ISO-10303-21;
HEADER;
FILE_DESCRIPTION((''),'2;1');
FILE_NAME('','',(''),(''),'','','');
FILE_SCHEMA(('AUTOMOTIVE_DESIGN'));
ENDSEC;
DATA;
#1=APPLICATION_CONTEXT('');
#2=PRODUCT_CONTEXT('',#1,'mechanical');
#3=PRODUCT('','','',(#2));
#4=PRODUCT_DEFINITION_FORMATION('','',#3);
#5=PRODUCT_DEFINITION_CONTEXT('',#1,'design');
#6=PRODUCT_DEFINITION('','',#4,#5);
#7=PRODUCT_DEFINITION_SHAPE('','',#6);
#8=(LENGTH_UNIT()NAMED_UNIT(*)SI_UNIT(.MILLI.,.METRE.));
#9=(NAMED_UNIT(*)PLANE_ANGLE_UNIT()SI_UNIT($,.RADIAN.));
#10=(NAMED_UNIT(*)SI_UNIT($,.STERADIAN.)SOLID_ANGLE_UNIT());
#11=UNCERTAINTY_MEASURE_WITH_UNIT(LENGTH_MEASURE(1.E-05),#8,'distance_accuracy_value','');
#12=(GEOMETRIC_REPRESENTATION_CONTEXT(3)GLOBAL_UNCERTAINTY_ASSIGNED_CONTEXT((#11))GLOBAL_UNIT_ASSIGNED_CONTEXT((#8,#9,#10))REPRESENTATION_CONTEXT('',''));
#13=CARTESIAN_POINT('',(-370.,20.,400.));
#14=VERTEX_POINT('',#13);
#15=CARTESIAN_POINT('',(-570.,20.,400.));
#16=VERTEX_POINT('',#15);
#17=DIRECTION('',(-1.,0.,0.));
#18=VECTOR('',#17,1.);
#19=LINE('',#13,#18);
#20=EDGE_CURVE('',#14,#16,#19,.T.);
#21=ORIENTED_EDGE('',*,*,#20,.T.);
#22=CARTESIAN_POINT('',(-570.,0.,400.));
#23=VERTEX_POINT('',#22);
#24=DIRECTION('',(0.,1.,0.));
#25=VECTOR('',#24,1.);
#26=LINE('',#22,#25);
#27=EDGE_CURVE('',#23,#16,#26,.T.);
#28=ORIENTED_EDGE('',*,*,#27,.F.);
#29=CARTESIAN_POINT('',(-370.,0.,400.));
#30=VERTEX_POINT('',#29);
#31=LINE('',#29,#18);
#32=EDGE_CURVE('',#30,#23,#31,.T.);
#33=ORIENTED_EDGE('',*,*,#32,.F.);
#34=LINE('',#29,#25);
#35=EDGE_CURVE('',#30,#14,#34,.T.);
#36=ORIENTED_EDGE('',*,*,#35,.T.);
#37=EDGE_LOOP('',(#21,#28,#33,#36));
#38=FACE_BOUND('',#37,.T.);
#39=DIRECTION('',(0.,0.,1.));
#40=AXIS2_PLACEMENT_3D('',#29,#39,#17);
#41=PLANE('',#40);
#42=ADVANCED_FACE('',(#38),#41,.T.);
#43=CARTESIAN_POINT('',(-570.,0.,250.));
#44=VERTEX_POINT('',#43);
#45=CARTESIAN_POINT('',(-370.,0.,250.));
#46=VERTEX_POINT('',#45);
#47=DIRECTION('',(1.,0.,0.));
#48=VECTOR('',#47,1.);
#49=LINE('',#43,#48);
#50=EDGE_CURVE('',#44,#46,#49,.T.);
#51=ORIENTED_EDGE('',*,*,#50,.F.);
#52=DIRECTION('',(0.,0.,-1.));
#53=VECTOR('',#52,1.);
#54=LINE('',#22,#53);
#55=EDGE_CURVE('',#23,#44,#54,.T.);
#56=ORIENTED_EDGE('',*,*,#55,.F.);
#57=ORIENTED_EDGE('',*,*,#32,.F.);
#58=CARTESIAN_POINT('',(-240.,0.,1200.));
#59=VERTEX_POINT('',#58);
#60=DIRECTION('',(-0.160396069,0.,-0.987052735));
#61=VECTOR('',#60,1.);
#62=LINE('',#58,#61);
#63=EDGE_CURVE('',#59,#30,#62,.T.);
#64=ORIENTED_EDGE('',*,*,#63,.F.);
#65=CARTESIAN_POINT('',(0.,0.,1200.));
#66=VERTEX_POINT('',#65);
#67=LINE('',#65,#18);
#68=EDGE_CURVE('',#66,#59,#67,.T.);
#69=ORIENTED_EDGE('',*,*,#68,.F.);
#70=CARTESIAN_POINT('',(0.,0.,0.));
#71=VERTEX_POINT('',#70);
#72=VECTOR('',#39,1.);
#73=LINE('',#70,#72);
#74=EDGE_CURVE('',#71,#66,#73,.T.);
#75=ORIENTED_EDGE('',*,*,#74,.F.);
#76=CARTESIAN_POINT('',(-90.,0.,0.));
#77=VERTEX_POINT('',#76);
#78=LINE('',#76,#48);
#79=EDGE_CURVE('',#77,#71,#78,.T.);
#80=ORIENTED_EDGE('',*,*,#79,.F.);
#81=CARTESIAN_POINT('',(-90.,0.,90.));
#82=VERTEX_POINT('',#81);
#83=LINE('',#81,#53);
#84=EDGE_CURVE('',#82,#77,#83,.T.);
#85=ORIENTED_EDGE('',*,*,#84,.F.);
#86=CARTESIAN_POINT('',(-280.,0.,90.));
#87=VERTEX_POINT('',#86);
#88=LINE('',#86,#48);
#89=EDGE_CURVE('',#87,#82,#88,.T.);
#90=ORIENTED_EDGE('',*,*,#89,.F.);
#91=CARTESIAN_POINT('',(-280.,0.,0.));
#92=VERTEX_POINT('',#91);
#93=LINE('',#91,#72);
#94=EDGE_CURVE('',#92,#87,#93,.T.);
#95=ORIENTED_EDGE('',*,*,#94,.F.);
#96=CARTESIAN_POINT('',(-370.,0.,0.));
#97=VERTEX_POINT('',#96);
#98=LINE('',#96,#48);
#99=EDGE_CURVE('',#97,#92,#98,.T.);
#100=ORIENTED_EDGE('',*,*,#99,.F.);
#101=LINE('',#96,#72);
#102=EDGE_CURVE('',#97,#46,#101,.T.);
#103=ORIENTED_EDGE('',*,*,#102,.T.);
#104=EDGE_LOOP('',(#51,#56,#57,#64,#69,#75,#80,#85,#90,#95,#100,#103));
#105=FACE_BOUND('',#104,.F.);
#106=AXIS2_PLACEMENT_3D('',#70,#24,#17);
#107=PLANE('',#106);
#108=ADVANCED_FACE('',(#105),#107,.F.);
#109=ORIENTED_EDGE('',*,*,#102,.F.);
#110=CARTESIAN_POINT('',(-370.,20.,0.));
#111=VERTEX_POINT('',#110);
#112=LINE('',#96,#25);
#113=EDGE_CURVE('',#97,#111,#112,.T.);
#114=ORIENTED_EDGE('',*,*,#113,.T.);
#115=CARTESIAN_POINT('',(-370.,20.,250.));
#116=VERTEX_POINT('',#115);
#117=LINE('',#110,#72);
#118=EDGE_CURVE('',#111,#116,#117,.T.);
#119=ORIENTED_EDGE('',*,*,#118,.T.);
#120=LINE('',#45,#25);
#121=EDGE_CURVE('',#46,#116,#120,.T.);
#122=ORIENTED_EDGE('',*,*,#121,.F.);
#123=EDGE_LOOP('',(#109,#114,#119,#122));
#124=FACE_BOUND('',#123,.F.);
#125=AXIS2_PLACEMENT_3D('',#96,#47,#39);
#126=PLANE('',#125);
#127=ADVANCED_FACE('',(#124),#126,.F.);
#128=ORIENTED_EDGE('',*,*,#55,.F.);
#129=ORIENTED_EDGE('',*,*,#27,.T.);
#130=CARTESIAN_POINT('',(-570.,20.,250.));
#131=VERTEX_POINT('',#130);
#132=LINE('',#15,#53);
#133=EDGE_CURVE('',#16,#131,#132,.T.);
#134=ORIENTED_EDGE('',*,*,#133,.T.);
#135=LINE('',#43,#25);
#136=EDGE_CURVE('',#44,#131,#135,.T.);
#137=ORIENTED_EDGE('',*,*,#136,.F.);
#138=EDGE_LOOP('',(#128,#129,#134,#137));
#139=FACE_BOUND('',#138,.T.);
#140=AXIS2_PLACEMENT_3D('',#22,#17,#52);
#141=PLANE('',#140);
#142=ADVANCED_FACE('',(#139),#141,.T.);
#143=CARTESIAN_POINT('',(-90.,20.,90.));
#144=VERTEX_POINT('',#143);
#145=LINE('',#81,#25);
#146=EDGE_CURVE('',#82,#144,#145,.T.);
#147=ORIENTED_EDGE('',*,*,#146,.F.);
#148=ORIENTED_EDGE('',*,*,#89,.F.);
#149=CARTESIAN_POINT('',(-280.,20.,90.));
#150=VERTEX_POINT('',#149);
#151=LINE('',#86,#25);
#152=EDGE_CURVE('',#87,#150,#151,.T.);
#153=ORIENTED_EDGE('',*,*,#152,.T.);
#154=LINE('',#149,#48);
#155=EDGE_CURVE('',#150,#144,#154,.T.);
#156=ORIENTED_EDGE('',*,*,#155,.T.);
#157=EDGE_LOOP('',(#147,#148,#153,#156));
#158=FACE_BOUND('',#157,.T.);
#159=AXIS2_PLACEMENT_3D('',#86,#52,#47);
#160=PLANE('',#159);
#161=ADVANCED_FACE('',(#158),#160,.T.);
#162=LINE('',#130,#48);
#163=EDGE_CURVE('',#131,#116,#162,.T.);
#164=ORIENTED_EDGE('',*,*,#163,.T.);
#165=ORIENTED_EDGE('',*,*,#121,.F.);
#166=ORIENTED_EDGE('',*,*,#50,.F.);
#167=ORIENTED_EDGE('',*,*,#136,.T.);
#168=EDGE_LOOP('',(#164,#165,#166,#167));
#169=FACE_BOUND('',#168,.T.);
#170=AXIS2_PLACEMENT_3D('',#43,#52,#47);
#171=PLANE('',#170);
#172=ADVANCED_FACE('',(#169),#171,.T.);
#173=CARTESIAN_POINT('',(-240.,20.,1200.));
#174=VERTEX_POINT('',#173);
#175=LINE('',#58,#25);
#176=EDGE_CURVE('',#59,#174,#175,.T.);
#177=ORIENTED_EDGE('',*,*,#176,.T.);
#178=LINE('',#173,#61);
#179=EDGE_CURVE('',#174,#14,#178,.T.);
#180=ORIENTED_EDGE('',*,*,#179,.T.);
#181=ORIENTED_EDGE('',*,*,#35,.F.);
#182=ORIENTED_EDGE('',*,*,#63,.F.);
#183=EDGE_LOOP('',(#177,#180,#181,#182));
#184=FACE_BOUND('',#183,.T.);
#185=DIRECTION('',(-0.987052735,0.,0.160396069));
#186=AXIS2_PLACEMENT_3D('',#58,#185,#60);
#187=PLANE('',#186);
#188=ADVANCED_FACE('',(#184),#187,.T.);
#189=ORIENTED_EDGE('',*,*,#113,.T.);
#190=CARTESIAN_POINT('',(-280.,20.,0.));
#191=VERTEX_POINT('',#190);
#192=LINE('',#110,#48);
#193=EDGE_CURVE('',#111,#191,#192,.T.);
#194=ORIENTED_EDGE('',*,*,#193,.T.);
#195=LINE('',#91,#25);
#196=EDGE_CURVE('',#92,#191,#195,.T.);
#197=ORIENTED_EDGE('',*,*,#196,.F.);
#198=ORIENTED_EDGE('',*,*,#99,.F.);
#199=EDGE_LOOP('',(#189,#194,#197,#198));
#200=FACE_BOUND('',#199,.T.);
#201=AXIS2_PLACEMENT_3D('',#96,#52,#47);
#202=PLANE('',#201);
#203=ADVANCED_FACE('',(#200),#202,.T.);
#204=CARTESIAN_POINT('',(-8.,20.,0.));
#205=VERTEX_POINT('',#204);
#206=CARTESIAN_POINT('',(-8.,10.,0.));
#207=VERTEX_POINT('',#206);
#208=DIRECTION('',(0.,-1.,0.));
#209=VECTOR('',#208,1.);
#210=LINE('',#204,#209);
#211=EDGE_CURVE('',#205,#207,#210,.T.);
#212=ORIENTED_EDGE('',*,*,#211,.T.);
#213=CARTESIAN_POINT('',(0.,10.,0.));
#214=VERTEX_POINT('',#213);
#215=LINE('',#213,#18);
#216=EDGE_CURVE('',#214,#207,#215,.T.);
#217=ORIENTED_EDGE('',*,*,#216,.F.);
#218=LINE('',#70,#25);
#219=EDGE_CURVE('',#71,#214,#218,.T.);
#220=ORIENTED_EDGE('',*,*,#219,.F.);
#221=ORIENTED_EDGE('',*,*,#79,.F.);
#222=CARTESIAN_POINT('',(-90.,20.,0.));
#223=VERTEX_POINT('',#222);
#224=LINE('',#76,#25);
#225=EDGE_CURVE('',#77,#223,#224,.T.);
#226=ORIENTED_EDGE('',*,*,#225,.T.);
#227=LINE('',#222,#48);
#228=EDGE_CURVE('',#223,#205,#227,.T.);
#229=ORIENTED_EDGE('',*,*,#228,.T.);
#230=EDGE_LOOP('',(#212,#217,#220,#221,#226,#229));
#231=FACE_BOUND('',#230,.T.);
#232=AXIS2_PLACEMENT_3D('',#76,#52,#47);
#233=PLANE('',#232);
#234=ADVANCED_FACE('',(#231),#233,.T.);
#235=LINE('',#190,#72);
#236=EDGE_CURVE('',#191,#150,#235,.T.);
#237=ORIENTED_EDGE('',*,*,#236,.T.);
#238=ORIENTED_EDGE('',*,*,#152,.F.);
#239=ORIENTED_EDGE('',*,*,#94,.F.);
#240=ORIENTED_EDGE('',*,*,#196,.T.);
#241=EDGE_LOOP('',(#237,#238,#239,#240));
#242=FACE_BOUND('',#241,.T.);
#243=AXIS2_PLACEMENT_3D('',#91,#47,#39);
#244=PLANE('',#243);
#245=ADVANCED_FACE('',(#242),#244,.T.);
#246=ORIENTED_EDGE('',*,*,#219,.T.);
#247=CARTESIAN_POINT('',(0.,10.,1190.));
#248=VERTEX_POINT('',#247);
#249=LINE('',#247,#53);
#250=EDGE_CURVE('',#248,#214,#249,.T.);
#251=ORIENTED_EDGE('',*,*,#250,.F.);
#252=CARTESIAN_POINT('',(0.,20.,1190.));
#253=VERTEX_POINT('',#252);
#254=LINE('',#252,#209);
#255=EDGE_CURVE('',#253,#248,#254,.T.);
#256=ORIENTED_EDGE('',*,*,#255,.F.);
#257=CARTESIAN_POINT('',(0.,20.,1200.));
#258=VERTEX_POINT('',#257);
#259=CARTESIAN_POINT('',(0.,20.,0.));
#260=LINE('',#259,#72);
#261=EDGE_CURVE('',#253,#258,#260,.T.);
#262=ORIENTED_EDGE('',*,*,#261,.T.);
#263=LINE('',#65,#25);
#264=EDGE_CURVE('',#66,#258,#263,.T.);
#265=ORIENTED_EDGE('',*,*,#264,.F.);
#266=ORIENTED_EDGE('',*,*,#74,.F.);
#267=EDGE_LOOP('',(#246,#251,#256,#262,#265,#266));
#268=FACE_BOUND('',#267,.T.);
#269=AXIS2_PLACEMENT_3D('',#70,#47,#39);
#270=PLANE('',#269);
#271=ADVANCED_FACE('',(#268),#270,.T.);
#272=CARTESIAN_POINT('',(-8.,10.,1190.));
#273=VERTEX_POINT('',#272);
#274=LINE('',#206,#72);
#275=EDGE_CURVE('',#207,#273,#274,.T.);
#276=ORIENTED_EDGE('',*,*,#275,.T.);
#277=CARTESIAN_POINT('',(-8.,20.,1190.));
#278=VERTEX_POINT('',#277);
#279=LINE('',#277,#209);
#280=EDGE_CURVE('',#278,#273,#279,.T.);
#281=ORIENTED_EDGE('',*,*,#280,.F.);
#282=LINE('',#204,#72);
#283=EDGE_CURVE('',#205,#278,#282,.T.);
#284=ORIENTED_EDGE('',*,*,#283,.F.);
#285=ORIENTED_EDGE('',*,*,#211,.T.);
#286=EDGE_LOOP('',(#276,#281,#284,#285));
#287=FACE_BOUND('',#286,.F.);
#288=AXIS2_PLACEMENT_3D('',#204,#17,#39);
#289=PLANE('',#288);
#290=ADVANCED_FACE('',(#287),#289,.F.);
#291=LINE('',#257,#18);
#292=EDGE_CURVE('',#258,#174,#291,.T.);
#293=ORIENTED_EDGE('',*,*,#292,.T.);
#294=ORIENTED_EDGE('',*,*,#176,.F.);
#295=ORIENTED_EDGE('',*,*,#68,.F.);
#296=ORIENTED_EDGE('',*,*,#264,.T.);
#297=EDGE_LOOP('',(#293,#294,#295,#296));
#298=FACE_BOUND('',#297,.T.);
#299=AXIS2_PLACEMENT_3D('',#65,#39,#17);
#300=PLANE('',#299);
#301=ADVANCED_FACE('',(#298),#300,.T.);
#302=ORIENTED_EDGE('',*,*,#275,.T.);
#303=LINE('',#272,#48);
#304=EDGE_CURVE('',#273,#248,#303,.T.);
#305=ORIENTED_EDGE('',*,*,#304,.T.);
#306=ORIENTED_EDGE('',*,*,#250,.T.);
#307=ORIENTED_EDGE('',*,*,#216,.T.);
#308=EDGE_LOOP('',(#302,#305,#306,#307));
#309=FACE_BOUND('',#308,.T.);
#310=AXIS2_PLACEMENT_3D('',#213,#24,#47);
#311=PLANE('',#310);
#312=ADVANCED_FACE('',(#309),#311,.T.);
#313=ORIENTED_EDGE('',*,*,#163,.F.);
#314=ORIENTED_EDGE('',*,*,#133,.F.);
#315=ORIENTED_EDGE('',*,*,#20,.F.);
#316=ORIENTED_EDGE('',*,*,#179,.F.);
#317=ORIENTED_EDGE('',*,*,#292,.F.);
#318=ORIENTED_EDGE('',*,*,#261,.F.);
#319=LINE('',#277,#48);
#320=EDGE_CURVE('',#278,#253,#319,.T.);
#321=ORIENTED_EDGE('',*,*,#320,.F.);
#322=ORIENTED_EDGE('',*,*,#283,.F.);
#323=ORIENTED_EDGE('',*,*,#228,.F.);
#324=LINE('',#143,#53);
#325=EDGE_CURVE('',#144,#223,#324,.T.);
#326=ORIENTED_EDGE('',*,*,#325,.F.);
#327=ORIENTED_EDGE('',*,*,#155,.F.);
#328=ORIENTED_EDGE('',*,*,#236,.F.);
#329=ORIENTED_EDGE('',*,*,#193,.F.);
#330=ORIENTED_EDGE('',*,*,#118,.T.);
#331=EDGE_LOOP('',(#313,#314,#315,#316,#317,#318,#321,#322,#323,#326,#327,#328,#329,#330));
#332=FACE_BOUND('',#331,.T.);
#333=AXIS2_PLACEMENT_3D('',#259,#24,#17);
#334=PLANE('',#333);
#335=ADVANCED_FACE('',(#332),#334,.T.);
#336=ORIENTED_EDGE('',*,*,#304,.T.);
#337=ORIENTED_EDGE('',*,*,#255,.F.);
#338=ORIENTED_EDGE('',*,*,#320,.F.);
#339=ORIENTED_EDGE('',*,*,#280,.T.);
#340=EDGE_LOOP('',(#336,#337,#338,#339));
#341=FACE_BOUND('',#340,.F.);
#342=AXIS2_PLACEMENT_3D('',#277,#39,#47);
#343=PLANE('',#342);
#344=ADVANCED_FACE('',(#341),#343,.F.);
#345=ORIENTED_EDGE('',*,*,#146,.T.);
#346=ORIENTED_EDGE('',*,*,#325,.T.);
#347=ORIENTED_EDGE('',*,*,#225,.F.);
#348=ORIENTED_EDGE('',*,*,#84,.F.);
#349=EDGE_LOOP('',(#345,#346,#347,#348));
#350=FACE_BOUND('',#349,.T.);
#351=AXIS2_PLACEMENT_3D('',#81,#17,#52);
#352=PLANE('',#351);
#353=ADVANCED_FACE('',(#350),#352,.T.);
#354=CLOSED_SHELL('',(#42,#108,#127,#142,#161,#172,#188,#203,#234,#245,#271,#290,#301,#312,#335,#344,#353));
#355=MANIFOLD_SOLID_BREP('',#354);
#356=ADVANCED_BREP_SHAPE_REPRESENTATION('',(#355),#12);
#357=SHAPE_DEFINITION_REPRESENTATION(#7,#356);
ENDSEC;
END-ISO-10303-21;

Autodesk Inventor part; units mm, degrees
ref_plane "YZ Plane" through (0, 0, 0) normal (1, 0, 0) x (0, 1, 0)
ref_plane "XZ Plane" through (0, 0, 0) normal (0, 1, 0) x (-1, 0, 0)
ref_plane "XY Plane" through (0, 0, 0) normal (0, 0, 1) x (1, 0, 0)
sketch "Sketch1" plane through (0, 0, 0) normal (0, 1, 0) x (-1, 0, 0)
  line L0 (0, 0) -> (0, 1200)
  line L1 (0, 1200) -> (240, 1200)
  line L2 (370, 400) -> (570, 400)
  line L3 (240, 1200) -> (370, 400)
  line L4 (570, 400) -> (570, 250)
  line L5 (570, 250) -> (370, 250)
  line L6 (370, 0) -> (370, 250)
  line L7 (370, 0) -> (280, 0)
  line L8 (280, 0) -> (280, 90)
  line L9 (280, 90) -> (90, 90)
  line L10 (90, 90) -> (90, 0)
  line L11 (90, 0) -> (0, 0)
  dimension "d2" = 1200
  dimension "d4" = 200
  dimension "d8" = 370
  dimension "d9" = 150
  dimension "d10" = 250
  dimension "d11" = 90
  dimension "d12" = 90
  dimension "d13" = 190
  dimension "d14" = 240
extrude "Extrusion1" add sketch "Sketch1" along normal blind 20
sketch "Sketch2" plane through (0, 0, 0) normal (0, -1, 0) x (1, 0, 0)
  line L0 (0, 0) -> (0, 1200) projected
  line L1 (0, 1200) -> (-240, 1200) projected
  line L2 (-240, 1200) -> (-240, 400) projected
  line L3 (-370, 400) -> (-570, 400) projected
  line L4 (-570, 400) -> (-570, 0) projected
  line L5 (-570, 0) -> (0, 0) projected
sketch "Sketch3" plane through (0, 0, 0) normal (0, -1, 0) x (1, 0, 0)
  line L0 (0, 0) -> (0, 1200) projected
  line L1 (0, 1200) -> (-240, 1200) projected
  line L2 (-240, 1200) -> (-370, 400) projected
  line L3 (-370, 400) -> (-570, 400) projected
  line L4 (-570, 400) -> (-570, 250) projected
  line L5 (-570, 250) -> (-370, 250) projected
  line L6 (-370, 250) -> (-370, 0) projected
  line L7 (-370, 0) -> (-280, 0) projected
  line L8 (-280, 0) -> (-280, 90) projected
  line L9 (-280, 90) -> (-90, 90) projected
  line L10 (-90, 90) -> (-90, 0) projected
  line L11 (-90, 0) -> (0, 0) projected
sketch "Sketch5" plane through (0, 20, 0) normal (0, 1, 0) x (1, 0, 0)
  line L0 (-8, -1190) -> (0, -1190)
  line L1 (0, 0) -> (-8, 0)
  line L2 (-8, 0) -> (-8, -1190)
  line L3 (-8, -1190) -> (0, -1190)
  line L4 (0, -1190) -> (0, 0)
  dimension "d18" = 8
  dimension "d21" = 8
  dimension "d22" = 1190
extrude "Extrusion3" cut sketch "Sketch5" against normal blind 10
properties part number "seitenteil"
